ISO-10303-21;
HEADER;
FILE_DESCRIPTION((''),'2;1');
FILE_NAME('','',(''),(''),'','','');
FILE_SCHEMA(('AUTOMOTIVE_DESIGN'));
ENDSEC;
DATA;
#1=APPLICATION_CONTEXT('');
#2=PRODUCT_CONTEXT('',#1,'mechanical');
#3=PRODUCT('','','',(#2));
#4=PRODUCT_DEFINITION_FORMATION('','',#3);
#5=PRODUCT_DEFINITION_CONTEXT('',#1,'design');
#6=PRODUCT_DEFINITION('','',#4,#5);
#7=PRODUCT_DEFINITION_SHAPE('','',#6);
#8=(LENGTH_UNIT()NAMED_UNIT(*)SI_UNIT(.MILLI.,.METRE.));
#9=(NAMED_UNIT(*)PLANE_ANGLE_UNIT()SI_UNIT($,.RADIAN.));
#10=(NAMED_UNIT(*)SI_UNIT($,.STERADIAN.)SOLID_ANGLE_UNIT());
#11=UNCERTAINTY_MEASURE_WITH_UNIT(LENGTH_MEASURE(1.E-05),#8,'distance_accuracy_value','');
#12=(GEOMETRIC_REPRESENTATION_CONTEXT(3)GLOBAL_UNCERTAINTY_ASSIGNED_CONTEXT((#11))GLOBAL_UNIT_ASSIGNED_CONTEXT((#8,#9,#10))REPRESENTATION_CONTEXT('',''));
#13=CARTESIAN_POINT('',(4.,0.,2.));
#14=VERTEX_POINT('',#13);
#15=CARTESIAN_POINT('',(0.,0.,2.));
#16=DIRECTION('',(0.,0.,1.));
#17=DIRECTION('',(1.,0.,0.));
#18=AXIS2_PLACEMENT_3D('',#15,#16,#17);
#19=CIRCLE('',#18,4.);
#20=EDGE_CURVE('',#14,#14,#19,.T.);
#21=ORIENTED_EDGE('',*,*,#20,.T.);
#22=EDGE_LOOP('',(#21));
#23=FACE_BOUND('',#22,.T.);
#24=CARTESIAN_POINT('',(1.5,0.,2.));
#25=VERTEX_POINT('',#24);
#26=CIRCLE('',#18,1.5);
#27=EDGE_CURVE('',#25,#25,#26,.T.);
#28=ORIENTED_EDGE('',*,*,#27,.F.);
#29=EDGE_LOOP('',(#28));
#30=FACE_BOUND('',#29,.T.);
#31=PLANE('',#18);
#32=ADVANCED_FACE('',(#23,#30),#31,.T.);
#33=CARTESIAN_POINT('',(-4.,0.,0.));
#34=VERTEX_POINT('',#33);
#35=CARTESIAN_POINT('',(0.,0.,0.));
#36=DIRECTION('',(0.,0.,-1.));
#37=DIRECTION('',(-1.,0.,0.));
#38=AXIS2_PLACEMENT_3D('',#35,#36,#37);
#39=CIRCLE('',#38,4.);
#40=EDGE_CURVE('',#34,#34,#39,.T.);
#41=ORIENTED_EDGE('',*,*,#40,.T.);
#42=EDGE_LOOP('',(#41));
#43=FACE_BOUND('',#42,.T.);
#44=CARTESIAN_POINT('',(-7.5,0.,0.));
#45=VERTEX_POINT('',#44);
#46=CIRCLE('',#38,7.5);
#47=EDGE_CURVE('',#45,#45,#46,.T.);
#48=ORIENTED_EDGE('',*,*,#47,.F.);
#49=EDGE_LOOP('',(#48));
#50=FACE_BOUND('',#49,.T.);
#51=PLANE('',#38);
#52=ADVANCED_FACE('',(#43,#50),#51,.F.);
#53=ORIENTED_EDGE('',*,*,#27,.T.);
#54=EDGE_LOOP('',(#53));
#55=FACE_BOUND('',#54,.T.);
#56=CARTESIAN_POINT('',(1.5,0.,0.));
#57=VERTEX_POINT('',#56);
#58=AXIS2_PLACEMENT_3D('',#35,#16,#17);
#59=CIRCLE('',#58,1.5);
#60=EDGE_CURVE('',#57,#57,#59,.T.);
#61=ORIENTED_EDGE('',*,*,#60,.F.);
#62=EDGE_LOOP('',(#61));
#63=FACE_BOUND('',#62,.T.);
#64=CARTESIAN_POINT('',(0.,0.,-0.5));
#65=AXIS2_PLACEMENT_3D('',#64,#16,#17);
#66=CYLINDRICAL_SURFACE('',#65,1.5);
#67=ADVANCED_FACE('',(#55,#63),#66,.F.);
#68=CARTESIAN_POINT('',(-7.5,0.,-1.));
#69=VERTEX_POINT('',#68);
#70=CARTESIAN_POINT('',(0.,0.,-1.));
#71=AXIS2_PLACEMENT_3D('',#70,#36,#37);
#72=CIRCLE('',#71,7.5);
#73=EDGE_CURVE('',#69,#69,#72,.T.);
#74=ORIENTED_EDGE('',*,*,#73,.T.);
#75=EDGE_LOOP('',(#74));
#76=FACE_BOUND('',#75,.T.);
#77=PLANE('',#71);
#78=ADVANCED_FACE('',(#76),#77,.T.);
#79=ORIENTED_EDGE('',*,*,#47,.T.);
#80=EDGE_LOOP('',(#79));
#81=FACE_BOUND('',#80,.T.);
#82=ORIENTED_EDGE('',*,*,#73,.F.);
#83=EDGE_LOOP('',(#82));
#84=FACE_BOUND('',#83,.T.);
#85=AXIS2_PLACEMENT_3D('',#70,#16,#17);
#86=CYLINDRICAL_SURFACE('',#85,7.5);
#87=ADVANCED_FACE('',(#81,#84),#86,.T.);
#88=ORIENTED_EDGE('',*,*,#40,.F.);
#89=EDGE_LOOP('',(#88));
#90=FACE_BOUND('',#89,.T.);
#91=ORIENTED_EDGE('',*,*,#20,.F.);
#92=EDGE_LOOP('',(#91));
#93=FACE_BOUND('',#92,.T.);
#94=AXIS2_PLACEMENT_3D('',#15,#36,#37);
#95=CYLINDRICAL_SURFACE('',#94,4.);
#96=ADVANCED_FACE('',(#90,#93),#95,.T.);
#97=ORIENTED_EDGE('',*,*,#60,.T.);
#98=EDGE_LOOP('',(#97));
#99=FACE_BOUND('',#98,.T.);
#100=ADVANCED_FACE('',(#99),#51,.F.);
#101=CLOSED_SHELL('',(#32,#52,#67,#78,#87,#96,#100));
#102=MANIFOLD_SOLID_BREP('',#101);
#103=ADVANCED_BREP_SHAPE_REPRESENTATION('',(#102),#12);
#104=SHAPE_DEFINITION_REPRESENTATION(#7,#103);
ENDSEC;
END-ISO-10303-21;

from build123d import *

# Parameters (mm, degrees)
ESQUISSE1_R             = 4
BOSS_EXTRU_1_DEPTH      = 2
ESQUISSE2_R             = 1.5
ENL_V_MAT_EXTRU_1_DEPTH = 2.5
ESQUISSE3_R             = 7.5
BOSS_EXTRU_2_DEPTH      = 1


with BuildPart() as part:
    # Esquisse1 → Boss.-Extru.1 (new body)
    with BuildSketch(Plane.XY):
        Circle(ESQUISSE1_R)
    extrude(amount=BOSS_EXTRU_1_DEPTH)

    # Esquisse2 → Enlèv. mat.-Extru.1 (cut)
    with BuildSketch(Plane.XY.offset(2)):
        Circle(ESQUISSE2_R)
    extrude(amount=-ENL_V_MAT_EXTRU_1_DEPTH, mode=Mode.SUBTRACT)

    # Esquisse3 → Boss.-Extru.2 (add)
    with BuildSketch(Plane(origin=(0, 0, 0), x_dir=(-1, 0, 0), z_dir=(0, 0, -1))):
        Circle(ESQUISSE3_R)
    extrude(amount=BOSS_EXTRU_2_DEPTH)


solid = part.part
